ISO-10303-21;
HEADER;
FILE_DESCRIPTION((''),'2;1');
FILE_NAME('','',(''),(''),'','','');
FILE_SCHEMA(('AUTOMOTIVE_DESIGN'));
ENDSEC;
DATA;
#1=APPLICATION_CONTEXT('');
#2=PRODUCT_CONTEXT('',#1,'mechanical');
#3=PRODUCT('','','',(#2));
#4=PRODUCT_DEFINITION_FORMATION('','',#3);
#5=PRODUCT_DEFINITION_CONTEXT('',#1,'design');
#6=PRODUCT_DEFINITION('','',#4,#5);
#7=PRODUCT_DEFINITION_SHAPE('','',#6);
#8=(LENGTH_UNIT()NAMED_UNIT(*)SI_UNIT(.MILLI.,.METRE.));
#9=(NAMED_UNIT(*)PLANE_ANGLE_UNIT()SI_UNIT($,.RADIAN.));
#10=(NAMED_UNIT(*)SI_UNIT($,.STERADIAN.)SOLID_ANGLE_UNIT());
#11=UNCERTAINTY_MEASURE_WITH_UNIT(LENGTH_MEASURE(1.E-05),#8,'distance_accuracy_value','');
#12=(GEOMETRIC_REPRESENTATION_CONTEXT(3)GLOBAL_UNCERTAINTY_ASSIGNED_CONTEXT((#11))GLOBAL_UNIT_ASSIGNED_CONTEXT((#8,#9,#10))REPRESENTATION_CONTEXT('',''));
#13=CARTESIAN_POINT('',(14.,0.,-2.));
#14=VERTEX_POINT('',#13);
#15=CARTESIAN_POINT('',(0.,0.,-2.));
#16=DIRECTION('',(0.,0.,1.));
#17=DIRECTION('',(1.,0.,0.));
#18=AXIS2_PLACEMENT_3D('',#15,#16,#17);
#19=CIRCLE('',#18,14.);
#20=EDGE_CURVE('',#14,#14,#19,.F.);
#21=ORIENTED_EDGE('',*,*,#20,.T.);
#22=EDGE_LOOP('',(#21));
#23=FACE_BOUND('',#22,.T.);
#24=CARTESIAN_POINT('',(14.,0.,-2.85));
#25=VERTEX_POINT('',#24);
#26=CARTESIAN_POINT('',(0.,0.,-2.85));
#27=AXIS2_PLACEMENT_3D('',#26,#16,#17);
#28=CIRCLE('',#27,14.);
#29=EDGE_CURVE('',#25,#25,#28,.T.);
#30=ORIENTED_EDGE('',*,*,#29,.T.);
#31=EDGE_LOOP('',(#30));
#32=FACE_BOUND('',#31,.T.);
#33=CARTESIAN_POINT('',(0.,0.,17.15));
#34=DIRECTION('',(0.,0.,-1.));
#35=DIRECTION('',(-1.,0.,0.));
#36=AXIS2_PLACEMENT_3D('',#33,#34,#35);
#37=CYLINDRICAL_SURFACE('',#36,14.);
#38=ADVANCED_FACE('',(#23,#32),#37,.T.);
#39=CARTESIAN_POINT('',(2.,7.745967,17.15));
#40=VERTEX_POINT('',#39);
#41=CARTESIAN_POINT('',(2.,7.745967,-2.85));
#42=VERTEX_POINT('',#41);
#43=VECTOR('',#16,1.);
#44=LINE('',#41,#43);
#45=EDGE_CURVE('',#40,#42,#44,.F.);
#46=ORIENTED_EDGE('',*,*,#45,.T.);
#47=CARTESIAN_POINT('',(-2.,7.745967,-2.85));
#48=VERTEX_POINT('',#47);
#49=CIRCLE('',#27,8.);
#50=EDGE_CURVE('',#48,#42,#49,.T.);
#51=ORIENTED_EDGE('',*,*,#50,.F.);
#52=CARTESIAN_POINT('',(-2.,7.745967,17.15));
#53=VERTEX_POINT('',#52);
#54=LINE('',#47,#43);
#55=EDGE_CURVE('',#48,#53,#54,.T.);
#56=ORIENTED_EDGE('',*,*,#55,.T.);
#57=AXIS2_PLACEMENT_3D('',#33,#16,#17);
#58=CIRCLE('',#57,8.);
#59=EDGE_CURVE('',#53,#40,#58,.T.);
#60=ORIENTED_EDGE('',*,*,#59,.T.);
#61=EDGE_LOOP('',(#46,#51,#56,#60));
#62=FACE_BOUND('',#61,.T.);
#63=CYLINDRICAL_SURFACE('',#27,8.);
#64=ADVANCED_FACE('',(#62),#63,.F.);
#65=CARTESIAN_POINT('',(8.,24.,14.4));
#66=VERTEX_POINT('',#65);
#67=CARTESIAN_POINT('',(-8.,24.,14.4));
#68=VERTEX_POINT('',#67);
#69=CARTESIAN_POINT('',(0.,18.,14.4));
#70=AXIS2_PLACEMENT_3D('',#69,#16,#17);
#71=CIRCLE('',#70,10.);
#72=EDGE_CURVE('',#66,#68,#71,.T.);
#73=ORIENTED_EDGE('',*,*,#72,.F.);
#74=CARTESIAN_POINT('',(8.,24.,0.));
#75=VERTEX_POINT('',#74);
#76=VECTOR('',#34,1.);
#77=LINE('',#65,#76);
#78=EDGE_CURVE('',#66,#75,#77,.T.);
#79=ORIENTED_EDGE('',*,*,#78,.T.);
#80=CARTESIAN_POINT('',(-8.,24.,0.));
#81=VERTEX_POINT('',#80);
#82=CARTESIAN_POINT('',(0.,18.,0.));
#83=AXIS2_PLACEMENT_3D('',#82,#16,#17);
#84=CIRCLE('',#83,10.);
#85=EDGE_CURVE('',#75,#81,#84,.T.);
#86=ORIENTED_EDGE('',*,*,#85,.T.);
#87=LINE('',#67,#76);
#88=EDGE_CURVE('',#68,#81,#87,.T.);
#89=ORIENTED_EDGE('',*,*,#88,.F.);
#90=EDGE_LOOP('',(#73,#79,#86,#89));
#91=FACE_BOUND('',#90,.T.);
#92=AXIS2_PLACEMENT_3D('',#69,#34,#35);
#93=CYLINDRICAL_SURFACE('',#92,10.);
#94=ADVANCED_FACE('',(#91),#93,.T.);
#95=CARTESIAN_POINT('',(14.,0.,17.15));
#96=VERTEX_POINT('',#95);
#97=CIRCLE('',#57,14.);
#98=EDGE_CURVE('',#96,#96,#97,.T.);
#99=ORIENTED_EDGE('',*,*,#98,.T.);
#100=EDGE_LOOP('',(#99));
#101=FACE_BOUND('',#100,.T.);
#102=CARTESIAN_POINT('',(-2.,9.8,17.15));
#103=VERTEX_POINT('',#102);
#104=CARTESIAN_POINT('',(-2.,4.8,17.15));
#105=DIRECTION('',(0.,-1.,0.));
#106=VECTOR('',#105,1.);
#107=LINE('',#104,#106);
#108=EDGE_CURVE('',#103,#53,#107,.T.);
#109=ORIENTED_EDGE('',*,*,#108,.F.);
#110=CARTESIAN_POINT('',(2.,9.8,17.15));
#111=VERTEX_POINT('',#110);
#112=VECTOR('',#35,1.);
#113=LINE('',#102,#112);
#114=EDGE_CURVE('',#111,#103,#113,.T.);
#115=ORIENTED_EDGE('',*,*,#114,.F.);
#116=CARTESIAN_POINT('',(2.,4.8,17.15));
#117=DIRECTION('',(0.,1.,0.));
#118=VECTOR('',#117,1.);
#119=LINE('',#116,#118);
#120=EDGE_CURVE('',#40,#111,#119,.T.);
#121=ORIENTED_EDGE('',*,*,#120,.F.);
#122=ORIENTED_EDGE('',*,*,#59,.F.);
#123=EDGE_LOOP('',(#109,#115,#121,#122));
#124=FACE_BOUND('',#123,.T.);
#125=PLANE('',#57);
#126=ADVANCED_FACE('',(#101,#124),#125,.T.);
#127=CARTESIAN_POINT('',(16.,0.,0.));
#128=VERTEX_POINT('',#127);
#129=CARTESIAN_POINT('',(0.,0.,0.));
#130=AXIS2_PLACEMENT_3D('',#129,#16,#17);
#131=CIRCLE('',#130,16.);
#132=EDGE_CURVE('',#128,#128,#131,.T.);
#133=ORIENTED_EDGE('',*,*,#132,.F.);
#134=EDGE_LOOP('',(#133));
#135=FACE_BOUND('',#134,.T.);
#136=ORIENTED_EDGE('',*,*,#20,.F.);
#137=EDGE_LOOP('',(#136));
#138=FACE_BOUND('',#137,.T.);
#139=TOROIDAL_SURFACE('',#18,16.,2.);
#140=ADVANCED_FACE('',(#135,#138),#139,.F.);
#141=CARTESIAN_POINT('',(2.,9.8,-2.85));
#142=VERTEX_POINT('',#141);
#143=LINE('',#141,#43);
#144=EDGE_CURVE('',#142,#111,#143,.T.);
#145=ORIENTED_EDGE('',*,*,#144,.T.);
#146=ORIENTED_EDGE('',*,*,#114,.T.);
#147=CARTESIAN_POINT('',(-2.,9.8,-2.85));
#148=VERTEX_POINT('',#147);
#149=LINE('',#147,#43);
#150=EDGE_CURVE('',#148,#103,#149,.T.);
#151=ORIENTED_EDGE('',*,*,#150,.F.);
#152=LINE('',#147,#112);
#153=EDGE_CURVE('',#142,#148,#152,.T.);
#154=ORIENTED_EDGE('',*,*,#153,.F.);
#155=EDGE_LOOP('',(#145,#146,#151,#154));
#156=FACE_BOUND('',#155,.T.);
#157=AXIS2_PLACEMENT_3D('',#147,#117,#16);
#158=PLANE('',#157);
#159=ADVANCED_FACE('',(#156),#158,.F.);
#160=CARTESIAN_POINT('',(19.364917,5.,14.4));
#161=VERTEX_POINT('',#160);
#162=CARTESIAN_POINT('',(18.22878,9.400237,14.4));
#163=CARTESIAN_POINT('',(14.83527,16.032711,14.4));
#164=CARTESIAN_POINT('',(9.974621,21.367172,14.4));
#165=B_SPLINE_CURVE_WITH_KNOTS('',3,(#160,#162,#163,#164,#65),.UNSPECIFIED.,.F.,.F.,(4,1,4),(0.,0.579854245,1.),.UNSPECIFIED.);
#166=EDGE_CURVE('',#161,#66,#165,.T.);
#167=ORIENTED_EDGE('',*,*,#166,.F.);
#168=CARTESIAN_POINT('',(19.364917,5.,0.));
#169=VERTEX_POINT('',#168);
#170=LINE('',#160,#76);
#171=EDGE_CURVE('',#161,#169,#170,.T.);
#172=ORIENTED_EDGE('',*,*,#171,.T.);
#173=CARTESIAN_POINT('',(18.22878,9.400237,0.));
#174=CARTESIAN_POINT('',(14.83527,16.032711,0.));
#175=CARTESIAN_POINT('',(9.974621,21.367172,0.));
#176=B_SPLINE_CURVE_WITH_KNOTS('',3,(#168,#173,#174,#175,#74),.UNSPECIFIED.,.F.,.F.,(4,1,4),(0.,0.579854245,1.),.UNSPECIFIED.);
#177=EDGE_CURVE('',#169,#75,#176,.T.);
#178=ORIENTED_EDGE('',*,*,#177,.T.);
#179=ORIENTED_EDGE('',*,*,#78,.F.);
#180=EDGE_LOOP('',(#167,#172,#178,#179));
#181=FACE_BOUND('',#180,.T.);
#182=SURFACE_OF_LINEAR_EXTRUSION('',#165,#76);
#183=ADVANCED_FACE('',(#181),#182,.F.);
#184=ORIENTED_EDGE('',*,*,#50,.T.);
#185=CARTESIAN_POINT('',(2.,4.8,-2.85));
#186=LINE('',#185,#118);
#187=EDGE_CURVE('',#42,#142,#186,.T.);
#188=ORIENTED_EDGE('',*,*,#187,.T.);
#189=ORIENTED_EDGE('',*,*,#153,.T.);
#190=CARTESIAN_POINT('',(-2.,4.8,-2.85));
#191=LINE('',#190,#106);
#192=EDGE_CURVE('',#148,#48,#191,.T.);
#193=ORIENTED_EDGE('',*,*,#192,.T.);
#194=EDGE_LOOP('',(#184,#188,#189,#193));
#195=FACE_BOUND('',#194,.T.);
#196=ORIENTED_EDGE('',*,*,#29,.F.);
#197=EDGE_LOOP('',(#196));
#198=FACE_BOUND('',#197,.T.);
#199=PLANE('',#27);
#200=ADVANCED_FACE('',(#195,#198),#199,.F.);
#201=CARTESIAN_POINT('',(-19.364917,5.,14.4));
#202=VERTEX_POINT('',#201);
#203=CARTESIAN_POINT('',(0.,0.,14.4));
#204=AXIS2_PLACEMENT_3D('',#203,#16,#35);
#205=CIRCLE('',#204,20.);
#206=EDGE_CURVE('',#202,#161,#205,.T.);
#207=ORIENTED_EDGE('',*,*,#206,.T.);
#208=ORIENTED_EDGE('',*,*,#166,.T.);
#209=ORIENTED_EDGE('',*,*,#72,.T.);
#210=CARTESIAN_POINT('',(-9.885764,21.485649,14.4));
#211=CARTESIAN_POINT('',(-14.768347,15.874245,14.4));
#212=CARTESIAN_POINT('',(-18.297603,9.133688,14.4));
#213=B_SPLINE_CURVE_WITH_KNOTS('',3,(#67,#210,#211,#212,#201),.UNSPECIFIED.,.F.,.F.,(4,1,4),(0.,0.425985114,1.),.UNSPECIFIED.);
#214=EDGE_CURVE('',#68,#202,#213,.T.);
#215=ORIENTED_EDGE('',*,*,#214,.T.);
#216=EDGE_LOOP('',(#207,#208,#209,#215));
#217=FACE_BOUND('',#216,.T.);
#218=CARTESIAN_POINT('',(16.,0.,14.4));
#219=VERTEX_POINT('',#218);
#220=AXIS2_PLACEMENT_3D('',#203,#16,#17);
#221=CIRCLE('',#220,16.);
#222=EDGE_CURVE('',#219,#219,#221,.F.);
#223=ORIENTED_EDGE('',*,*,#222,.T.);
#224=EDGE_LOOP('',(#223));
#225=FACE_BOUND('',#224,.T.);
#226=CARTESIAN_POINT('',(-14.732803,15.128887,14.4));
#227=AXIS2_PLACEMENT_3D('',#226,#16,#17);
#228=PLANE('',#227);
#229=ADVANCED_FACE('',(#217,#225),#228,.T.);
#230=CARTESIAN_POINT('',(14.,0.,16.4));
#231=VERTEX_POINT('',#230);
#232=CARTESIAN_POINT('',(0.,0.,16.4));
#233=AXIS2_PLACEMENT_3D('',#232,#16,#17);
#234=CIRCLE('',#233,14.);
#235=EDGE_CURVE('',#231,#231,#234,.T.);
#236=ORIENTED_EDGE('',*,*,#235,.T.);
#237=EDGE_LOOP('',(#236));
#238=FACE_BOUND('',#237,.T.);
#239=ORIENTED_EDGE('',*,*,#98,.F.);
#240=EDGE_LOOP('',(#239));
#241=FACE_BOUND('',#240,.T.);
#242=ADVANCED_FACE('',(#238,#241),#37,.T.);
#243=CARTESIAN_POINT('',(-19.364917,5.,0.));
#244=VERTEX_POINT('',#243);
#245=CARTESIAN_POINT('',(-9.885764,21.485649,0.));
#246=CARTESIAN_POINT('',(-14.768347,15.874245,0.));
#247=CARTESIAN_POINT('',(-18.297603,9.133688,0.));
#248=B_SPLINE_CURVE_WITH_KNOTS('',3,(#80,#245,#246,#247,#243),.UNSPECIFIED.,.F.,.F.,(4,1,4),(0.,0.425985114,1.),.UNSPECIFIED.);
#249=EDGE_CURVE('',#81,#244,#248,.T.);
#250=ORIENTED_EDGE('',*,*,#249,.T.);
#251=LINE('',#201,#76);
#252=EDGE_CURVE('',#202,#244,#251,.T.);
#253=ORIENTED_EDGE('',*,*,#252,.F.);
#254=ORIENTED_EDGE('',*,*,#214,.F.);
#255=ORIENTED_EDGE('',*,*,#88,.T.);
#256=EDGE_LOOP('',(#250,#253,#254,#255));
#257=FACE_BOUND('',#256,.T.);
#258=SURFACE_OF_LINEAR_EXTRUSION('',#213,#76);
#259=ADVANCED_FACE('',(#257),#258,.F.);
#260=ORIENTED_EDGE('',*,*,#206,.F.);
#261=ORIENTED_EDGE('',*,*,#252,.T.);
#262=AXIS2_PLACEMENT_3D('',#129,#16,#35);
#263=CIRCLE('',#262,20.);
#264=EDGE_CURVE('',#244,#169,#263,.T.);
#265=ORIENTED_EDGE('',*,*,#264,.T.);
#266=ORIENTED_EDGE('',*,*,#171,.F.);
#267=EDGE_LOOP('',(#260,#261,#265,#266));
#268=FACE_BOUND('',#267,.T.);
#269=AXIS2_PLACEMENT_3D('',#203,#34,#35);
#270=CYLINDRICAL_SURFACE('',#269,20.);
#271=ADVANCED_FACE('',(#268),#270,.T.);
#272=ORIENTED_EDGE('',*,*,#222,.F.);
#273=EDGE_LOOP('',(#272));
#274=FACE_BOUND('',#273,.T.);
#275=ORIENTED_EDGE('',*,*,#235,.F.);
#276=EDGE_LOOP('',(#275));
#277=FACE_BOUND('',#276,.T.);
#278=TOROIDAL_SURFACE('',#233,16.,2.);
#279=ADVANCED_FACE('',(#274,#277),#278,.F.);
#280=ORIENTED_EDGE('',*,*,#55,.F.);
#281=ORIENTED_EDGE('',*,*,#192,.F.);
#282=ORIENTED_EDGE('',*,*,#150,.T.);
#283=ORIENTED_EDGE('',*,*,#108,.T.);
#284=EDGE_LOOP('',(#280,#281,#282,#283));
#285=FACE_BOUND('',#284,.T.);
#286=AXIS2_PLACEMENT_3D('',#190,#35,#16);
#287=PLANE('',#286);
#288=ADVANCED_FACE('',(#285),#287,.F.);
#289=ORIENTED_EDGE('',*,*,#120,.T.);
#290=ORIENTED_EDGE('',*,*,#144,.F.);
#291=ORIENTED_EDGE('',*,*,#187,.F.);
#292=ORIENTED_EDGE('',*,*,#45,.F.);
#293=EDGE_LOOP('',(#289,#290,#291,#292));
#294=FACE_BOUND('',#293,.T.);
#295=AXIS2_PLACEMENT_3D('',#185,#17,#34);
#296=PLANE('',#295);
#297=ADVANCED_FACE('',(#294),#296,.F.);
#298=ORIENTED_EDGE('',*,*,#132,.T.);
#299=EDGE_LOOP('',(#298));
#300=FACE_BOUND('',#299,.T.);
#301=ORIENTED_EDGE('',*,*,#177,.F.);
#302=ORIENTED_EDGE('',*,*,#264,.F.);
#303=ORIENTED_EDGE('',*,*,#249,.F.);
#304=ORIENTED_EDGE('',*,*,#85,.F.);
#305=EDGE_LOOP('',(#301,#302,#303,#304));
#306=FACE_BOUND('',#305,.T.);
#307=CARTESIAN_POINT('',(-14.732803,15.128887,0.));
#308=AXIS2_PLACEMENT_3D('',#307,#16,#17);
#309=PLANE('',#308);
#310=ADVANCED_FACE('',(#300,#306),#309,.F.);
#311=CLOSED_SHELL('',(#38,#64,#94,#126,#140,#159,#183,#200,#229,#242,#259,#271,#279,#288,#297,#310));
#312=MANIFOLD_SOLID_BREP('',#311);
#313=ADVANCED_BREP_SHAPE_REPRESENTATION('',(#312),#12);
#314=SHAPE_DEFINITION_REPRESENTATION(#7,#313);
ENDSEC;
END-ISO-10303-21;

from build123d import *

# Parameters (mm, degrees)
CAMBODY_DEPTH   = 14.4
BOSS_DEPTH      = 2.75
BOSS_DEPTH_BACK = 17.25
SKETCH2_R       = 14
BOSSFILLETS_R   = 2
SKETCH3_R       = 8
BORE_DEPTH      = 40.799497605
SKETCH4_W       = 4
SKETCH4_H       = 5
KEYSLOT_DEPTH   = 40.799497605


with BuildPart() as part:
    # Sketch1 → CamBody (new body)
    with BuildSketch(Plane.XY):
        with BuildLine():
            ThreePointArc((8, 24), (0, 28), (-8, 24))
            add(Edge.make_bspline(
                [(-8, 24), (-9.885763615, 21.485648513), (-14.768346923, 15.874245369), (-18.297603119, 9.133687845), (-19.364916731, 5)],
                knots=[0, 0, 0, 0, 0.425985114, 1, 1, 1, 1], degree=3))
            ThreePointArc((-19.364916731, 5), (0, -20), (19.364916731, 5))
            add(Edge.make_bspline(
                [(19.364916731, 5), (18.228780394, 9.400237112), (14.835269856, 16.032711081), (9.974620681, 21.367172425), (8, 24)],
                knots=[0, 0, 0, 0, 0.579854245, 1, 1, 1, 1], degree=3))
        make_face()
    extrude(amount=CAMBODY_DEPTH)

    # Sketch2 → Boss (add, two sides: drawn at the far end of the back side and taken through both)
    with BuildSketch(Plane.XY.offset(14.4).offset(-BOSS_DEPTH_BACK)):
        Circle(SKETCH2_R)
    extrude(amount=BOSS_DEPTH + BOSS_DEPTH_BACK)

    # BossFillets
    bossfillets_edges = [part.edges().sort_by_distance(p)[0] for p in [
        (-14, 0, 0),
        (-14, 0, 14.4),
    ]]
    fillet(bossfillets_edges, radius=BOSSFILLETS_R)

    # Sketch3 → Bore (cut, through all)
    with BuildSketch(Plane.XY.offset(17.15)):
        Circle(SKETCH3_R)
    extrude(amount=-BORE_DEPTH, mode=Mode.SUBTRACT)

    # Sketch4 → KeySlot (cut, through all)
    with BuildSketch(Plane.XY.offset(17.15)):
        with Locations((0, 7.3)):
            Rectangle(SKETCH4_W, SKETCH4_H)
    extrude(amount=-KEYSLOT_DEPTH, mode=Mode.SUBTRACT)


solid = part.part
